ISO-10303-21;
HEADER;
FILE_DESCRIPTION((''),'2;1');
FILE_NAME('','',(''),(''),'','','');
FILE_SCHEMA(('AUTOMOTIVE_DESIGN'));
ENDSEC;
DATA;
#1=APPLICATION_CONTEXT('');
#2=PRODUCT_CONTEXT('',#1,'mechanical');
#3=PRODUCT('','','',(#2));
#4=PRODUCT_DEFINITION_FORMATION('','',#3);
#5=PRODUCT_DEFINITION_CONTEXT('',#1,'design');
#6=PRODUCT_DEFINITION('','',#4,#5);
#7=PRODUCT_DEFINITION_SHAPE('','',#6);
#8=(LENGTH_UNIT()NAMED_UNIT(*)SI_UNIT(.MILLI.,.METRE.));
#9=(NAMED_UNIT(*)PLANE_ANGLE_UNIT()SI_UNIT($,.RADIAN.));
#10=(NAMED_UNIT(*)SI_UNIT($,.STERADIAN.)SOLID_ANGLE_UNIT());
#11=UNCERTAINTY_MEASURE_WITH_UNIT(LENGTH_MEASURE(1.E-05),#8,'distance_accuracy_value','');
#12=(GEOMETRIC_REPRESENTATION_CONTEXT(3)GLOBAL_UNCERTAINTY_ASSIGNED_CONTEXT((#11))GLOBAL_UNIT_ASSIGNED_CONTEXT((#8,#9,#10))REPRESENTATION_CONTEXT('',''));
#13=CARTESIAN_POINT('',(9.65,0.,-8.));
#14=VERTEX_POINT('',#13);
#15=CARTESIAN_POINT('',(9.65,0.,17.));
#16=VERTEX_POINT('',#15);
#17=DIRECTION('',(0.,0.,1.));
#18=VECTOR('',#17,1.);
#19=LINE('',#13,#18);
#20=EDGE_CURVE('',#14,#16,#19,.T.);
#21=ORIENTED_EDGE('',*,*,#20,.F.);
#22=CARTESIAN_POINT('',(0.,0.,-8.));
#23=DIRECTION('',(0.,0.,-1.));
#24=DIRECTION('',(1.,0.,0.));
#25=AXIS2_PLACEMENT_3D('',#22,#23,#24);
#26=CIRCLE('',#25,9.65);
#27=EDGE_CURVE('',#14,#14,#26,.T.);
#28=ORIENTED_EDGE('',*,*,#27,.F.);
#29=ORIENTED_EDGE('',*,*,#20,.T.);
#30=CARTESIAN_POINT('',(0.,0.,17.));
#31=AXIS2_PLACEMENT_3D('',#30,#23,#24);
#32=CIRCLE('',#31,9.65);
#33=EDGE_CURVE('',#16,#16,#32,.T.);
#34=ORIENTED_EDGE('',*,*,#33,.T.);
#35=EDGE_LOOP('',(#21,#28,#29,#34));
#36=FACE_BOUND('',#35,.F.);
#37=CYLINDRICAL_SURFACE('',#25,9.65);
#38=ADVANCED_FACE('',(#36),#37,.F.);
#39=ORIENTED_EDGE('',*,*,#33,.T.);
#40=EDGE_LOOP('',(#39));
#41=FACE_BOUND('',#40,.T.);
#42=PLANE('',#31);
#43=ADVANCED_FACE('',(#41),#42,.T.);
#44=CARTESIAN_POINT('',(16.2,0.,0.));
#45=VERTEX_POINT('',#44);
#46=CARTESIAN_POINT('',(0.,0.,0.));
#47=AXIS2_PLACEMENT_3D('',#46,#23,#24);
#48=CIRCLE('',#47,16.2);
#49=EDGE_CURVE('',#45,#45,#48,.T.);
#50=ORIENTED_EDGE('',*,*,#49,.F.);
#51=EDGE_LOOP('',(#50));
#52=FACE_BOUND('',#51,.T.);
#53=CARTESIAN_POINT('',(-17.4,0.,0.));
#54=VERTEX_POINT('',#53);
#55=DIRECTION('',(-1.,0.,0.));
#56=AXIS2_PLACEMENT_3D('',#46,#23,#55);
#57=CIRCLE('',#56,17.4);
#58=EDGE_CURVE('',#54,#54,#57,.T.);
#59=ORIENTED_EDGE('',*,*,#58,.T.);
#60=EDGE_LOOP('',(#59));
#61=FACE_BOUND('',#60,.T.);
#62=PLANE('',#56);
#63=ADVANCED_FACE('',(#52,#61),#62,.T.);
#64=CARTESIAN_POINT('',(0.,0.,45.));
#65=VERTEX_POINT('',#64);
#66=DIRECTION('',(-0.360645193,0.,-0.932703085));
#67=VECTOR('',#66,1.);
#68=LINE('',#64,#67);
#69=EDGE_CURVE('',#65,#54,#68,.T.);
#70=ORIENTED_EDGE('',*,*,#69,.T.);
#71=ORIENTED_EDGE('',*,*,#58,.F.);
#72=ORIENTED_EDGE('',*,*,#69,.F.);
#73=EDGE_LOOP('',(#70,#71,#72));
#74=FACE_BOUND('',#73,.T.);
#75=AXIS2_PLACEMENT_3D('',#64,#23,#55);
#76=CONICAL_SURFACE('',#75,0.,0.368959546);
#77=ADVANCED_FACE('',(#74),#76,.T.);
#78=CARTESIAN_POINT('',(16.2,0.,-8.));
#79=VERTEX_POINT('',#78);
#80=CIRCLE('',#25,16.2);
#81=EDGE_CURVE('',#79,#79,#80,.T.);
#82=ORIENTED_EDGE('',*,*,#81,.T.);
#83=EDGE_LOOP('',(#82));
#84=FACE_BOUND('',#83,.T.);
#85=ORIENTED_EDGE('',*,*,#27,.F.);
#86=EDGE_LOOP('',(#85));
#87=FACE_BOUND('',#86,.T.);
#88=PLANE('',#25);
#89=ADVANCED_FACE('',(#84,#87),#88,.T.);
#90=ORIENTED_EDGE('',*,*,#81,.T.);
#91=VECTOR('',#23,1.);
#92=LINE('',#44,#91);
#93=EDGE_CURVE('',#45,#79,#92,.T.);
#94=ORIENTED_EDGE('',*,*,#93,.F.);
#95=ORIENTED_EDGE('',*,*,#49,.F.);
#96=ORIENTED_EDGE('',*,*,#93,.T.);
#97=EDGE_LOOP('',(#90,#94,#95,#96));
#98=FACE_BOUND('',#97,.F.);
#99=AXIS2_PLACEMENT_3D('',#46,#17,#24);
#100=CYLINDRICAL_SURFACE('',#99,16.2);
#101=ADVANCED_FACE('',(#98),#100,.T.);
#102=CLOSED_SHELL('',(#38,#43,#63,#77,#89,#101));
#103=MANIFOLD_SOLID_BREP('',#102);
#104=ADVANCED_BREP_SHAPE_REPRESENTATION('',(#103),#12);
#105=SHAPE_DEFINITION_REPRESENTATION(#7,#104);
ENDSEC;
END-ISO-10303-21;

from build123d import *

# Parameters (mm, degrees)
F2_R     = 16.2
F3_DEPTH = 8
F4_R     = 9.65
F5_DEPTH = 25


with BuildPart() as f1:
    # F0 (on Front) → F1 (revolve)
    with BuildSketch(Plane.XZ):
        Polygon((-17.4, 0), (0, 0), (0, 45), align=None)
    revolve(axis=Axis((0, 0, 22.5), (0, 0, -1)))

    # F2 (on face) → F3 (join)
    with BuildSketch(Plane(origin=(0, 0, 0), x_dir=(1, 0, 0), z_dir=(0, 0, -1))):
        Circle(F2_R)
    extrude(amount=F3_DEPTH)

    # F4 (on face) → F5 (cut)
    with BuildSketch(Plane(origin=(0, 0, -8), x_dir=(1, 0, 0), z_dir=(0, 0, -1))):
        Circle(F4_R)
    extrude(amount=-F5_DEPTH, mode=Mode.SUBTRACT)


solid = f1.part
